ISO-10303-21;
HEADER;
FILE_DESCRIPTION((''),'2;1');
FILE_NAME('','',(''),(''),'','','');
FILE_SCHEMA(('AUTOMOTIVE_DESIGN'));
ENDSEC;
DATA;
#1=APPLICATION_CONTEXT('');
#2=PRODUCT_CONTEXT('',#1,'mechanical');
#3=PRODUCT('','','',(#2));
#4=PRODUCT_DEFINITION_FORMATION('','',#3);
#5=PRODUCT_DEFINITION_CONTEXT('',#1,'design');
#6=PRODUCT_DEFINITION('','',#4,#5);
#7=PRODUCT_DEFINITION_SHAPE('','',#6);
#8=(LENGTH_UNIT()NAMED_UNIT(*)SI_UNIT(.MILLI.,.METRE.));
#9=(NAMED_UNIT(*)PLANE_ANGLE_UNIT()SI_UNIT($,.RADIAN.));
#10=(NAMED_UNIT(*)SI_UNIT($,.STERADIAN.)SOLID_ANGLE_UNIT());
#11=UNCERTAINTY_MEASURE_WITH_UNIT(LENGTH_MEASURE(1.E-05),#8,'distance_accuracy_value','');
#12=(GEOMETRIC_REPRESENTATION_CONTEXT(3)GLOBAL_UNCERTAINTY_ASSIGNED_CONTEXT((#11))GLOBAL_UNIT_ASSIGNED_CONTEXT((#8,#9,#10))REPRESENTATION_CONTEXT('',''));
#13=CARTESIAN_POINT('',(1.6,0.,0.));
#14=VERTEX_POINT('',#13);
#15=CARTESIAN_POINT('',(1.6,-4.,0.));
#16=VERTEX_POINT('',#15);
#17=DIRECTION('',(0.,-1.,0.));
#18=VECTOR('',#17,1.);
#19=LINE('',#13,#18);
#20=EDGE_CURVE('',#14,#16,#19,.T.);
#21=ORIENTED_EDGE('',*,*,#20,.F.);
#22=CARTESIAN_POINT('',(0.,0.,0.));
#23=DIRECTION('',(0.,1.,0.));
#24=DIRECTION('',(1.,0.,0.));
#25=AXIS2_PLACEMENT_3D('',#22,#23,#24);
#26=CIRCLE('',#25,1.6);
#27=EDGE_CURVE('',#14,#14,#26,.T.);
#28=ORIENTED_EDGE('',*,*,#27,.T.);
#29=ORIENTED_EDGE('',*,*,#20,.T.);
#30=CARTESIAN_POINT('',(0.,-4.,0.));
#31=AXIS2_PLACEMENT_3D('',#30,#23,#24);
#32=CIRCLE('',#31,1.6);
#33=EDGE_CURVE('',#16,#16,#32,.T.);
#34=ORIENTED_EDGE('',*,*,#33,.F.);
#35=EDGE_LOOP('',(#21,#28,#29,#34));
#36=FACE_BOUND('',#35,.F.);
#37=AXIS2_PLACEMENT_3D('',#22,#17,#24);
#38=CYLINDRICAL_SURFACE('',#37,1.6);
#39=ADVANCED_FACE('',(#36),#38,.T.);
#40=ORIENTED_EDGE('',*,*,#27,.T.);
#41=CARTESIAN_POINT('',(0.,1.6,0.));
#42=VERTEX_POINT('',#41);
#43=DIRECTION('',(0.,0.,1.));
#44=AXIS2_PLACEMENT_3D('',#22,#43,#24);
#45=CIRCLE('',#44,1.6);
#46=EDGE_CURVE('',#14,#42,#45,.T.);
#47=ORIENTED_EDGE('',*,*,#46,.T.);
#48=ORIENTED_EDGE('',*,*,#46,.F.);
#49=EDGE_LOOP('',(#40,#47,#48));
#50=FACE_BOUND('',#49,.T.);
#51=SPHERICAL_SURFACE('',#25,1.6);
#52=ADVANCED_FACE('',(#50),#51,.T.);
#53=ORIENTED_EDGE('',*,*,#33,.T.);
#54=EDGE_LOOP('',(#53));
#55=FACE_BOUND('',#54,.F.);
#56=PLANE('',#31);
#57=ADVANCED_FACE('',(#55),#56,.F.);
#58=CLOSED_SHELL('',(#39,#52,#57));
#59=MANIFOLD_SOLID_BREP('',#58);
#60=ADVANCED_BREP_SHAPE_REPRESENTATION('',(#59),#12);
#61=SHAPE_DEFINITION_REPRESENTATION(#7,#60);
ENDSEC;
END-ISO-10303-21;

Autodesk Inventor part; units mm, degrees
ref_plane "YZ Plane" through (0, 0, 0) normal (1, 0, 0) x (0, 1, 0)
ref_plane "XZ Plane" through (0, 0, 0) normal (0, 1, 0) x (-1, 0, 0)
ref_plane "XY Plane" through (0, 0, 0) normal (0, 0, 1) x (1, 0, 0)
sketch "Sketch2" plane through (0, 0, 0) normal (0, 0, 1) x (1, 0, 0)
  line L0 (0, -4) -> (0, 1.6)
  arc A0 (1.6, 0) -> (0, 1.6) centre (0, 0) ccw
  line L1 (1.6, 0) -> (1.6, -4)
  line L2 (1.6, -4) -> (0, -4)
  dimension "d0" = 3.2
  dimension "d1" = 5.6
revolve "Revolution1" add sketch "Sketch2" angle 360 about axis through (0, -4, 0) along (0, 1, 0)
properties part number "11177-TransRed" material "Polycarbonate"
